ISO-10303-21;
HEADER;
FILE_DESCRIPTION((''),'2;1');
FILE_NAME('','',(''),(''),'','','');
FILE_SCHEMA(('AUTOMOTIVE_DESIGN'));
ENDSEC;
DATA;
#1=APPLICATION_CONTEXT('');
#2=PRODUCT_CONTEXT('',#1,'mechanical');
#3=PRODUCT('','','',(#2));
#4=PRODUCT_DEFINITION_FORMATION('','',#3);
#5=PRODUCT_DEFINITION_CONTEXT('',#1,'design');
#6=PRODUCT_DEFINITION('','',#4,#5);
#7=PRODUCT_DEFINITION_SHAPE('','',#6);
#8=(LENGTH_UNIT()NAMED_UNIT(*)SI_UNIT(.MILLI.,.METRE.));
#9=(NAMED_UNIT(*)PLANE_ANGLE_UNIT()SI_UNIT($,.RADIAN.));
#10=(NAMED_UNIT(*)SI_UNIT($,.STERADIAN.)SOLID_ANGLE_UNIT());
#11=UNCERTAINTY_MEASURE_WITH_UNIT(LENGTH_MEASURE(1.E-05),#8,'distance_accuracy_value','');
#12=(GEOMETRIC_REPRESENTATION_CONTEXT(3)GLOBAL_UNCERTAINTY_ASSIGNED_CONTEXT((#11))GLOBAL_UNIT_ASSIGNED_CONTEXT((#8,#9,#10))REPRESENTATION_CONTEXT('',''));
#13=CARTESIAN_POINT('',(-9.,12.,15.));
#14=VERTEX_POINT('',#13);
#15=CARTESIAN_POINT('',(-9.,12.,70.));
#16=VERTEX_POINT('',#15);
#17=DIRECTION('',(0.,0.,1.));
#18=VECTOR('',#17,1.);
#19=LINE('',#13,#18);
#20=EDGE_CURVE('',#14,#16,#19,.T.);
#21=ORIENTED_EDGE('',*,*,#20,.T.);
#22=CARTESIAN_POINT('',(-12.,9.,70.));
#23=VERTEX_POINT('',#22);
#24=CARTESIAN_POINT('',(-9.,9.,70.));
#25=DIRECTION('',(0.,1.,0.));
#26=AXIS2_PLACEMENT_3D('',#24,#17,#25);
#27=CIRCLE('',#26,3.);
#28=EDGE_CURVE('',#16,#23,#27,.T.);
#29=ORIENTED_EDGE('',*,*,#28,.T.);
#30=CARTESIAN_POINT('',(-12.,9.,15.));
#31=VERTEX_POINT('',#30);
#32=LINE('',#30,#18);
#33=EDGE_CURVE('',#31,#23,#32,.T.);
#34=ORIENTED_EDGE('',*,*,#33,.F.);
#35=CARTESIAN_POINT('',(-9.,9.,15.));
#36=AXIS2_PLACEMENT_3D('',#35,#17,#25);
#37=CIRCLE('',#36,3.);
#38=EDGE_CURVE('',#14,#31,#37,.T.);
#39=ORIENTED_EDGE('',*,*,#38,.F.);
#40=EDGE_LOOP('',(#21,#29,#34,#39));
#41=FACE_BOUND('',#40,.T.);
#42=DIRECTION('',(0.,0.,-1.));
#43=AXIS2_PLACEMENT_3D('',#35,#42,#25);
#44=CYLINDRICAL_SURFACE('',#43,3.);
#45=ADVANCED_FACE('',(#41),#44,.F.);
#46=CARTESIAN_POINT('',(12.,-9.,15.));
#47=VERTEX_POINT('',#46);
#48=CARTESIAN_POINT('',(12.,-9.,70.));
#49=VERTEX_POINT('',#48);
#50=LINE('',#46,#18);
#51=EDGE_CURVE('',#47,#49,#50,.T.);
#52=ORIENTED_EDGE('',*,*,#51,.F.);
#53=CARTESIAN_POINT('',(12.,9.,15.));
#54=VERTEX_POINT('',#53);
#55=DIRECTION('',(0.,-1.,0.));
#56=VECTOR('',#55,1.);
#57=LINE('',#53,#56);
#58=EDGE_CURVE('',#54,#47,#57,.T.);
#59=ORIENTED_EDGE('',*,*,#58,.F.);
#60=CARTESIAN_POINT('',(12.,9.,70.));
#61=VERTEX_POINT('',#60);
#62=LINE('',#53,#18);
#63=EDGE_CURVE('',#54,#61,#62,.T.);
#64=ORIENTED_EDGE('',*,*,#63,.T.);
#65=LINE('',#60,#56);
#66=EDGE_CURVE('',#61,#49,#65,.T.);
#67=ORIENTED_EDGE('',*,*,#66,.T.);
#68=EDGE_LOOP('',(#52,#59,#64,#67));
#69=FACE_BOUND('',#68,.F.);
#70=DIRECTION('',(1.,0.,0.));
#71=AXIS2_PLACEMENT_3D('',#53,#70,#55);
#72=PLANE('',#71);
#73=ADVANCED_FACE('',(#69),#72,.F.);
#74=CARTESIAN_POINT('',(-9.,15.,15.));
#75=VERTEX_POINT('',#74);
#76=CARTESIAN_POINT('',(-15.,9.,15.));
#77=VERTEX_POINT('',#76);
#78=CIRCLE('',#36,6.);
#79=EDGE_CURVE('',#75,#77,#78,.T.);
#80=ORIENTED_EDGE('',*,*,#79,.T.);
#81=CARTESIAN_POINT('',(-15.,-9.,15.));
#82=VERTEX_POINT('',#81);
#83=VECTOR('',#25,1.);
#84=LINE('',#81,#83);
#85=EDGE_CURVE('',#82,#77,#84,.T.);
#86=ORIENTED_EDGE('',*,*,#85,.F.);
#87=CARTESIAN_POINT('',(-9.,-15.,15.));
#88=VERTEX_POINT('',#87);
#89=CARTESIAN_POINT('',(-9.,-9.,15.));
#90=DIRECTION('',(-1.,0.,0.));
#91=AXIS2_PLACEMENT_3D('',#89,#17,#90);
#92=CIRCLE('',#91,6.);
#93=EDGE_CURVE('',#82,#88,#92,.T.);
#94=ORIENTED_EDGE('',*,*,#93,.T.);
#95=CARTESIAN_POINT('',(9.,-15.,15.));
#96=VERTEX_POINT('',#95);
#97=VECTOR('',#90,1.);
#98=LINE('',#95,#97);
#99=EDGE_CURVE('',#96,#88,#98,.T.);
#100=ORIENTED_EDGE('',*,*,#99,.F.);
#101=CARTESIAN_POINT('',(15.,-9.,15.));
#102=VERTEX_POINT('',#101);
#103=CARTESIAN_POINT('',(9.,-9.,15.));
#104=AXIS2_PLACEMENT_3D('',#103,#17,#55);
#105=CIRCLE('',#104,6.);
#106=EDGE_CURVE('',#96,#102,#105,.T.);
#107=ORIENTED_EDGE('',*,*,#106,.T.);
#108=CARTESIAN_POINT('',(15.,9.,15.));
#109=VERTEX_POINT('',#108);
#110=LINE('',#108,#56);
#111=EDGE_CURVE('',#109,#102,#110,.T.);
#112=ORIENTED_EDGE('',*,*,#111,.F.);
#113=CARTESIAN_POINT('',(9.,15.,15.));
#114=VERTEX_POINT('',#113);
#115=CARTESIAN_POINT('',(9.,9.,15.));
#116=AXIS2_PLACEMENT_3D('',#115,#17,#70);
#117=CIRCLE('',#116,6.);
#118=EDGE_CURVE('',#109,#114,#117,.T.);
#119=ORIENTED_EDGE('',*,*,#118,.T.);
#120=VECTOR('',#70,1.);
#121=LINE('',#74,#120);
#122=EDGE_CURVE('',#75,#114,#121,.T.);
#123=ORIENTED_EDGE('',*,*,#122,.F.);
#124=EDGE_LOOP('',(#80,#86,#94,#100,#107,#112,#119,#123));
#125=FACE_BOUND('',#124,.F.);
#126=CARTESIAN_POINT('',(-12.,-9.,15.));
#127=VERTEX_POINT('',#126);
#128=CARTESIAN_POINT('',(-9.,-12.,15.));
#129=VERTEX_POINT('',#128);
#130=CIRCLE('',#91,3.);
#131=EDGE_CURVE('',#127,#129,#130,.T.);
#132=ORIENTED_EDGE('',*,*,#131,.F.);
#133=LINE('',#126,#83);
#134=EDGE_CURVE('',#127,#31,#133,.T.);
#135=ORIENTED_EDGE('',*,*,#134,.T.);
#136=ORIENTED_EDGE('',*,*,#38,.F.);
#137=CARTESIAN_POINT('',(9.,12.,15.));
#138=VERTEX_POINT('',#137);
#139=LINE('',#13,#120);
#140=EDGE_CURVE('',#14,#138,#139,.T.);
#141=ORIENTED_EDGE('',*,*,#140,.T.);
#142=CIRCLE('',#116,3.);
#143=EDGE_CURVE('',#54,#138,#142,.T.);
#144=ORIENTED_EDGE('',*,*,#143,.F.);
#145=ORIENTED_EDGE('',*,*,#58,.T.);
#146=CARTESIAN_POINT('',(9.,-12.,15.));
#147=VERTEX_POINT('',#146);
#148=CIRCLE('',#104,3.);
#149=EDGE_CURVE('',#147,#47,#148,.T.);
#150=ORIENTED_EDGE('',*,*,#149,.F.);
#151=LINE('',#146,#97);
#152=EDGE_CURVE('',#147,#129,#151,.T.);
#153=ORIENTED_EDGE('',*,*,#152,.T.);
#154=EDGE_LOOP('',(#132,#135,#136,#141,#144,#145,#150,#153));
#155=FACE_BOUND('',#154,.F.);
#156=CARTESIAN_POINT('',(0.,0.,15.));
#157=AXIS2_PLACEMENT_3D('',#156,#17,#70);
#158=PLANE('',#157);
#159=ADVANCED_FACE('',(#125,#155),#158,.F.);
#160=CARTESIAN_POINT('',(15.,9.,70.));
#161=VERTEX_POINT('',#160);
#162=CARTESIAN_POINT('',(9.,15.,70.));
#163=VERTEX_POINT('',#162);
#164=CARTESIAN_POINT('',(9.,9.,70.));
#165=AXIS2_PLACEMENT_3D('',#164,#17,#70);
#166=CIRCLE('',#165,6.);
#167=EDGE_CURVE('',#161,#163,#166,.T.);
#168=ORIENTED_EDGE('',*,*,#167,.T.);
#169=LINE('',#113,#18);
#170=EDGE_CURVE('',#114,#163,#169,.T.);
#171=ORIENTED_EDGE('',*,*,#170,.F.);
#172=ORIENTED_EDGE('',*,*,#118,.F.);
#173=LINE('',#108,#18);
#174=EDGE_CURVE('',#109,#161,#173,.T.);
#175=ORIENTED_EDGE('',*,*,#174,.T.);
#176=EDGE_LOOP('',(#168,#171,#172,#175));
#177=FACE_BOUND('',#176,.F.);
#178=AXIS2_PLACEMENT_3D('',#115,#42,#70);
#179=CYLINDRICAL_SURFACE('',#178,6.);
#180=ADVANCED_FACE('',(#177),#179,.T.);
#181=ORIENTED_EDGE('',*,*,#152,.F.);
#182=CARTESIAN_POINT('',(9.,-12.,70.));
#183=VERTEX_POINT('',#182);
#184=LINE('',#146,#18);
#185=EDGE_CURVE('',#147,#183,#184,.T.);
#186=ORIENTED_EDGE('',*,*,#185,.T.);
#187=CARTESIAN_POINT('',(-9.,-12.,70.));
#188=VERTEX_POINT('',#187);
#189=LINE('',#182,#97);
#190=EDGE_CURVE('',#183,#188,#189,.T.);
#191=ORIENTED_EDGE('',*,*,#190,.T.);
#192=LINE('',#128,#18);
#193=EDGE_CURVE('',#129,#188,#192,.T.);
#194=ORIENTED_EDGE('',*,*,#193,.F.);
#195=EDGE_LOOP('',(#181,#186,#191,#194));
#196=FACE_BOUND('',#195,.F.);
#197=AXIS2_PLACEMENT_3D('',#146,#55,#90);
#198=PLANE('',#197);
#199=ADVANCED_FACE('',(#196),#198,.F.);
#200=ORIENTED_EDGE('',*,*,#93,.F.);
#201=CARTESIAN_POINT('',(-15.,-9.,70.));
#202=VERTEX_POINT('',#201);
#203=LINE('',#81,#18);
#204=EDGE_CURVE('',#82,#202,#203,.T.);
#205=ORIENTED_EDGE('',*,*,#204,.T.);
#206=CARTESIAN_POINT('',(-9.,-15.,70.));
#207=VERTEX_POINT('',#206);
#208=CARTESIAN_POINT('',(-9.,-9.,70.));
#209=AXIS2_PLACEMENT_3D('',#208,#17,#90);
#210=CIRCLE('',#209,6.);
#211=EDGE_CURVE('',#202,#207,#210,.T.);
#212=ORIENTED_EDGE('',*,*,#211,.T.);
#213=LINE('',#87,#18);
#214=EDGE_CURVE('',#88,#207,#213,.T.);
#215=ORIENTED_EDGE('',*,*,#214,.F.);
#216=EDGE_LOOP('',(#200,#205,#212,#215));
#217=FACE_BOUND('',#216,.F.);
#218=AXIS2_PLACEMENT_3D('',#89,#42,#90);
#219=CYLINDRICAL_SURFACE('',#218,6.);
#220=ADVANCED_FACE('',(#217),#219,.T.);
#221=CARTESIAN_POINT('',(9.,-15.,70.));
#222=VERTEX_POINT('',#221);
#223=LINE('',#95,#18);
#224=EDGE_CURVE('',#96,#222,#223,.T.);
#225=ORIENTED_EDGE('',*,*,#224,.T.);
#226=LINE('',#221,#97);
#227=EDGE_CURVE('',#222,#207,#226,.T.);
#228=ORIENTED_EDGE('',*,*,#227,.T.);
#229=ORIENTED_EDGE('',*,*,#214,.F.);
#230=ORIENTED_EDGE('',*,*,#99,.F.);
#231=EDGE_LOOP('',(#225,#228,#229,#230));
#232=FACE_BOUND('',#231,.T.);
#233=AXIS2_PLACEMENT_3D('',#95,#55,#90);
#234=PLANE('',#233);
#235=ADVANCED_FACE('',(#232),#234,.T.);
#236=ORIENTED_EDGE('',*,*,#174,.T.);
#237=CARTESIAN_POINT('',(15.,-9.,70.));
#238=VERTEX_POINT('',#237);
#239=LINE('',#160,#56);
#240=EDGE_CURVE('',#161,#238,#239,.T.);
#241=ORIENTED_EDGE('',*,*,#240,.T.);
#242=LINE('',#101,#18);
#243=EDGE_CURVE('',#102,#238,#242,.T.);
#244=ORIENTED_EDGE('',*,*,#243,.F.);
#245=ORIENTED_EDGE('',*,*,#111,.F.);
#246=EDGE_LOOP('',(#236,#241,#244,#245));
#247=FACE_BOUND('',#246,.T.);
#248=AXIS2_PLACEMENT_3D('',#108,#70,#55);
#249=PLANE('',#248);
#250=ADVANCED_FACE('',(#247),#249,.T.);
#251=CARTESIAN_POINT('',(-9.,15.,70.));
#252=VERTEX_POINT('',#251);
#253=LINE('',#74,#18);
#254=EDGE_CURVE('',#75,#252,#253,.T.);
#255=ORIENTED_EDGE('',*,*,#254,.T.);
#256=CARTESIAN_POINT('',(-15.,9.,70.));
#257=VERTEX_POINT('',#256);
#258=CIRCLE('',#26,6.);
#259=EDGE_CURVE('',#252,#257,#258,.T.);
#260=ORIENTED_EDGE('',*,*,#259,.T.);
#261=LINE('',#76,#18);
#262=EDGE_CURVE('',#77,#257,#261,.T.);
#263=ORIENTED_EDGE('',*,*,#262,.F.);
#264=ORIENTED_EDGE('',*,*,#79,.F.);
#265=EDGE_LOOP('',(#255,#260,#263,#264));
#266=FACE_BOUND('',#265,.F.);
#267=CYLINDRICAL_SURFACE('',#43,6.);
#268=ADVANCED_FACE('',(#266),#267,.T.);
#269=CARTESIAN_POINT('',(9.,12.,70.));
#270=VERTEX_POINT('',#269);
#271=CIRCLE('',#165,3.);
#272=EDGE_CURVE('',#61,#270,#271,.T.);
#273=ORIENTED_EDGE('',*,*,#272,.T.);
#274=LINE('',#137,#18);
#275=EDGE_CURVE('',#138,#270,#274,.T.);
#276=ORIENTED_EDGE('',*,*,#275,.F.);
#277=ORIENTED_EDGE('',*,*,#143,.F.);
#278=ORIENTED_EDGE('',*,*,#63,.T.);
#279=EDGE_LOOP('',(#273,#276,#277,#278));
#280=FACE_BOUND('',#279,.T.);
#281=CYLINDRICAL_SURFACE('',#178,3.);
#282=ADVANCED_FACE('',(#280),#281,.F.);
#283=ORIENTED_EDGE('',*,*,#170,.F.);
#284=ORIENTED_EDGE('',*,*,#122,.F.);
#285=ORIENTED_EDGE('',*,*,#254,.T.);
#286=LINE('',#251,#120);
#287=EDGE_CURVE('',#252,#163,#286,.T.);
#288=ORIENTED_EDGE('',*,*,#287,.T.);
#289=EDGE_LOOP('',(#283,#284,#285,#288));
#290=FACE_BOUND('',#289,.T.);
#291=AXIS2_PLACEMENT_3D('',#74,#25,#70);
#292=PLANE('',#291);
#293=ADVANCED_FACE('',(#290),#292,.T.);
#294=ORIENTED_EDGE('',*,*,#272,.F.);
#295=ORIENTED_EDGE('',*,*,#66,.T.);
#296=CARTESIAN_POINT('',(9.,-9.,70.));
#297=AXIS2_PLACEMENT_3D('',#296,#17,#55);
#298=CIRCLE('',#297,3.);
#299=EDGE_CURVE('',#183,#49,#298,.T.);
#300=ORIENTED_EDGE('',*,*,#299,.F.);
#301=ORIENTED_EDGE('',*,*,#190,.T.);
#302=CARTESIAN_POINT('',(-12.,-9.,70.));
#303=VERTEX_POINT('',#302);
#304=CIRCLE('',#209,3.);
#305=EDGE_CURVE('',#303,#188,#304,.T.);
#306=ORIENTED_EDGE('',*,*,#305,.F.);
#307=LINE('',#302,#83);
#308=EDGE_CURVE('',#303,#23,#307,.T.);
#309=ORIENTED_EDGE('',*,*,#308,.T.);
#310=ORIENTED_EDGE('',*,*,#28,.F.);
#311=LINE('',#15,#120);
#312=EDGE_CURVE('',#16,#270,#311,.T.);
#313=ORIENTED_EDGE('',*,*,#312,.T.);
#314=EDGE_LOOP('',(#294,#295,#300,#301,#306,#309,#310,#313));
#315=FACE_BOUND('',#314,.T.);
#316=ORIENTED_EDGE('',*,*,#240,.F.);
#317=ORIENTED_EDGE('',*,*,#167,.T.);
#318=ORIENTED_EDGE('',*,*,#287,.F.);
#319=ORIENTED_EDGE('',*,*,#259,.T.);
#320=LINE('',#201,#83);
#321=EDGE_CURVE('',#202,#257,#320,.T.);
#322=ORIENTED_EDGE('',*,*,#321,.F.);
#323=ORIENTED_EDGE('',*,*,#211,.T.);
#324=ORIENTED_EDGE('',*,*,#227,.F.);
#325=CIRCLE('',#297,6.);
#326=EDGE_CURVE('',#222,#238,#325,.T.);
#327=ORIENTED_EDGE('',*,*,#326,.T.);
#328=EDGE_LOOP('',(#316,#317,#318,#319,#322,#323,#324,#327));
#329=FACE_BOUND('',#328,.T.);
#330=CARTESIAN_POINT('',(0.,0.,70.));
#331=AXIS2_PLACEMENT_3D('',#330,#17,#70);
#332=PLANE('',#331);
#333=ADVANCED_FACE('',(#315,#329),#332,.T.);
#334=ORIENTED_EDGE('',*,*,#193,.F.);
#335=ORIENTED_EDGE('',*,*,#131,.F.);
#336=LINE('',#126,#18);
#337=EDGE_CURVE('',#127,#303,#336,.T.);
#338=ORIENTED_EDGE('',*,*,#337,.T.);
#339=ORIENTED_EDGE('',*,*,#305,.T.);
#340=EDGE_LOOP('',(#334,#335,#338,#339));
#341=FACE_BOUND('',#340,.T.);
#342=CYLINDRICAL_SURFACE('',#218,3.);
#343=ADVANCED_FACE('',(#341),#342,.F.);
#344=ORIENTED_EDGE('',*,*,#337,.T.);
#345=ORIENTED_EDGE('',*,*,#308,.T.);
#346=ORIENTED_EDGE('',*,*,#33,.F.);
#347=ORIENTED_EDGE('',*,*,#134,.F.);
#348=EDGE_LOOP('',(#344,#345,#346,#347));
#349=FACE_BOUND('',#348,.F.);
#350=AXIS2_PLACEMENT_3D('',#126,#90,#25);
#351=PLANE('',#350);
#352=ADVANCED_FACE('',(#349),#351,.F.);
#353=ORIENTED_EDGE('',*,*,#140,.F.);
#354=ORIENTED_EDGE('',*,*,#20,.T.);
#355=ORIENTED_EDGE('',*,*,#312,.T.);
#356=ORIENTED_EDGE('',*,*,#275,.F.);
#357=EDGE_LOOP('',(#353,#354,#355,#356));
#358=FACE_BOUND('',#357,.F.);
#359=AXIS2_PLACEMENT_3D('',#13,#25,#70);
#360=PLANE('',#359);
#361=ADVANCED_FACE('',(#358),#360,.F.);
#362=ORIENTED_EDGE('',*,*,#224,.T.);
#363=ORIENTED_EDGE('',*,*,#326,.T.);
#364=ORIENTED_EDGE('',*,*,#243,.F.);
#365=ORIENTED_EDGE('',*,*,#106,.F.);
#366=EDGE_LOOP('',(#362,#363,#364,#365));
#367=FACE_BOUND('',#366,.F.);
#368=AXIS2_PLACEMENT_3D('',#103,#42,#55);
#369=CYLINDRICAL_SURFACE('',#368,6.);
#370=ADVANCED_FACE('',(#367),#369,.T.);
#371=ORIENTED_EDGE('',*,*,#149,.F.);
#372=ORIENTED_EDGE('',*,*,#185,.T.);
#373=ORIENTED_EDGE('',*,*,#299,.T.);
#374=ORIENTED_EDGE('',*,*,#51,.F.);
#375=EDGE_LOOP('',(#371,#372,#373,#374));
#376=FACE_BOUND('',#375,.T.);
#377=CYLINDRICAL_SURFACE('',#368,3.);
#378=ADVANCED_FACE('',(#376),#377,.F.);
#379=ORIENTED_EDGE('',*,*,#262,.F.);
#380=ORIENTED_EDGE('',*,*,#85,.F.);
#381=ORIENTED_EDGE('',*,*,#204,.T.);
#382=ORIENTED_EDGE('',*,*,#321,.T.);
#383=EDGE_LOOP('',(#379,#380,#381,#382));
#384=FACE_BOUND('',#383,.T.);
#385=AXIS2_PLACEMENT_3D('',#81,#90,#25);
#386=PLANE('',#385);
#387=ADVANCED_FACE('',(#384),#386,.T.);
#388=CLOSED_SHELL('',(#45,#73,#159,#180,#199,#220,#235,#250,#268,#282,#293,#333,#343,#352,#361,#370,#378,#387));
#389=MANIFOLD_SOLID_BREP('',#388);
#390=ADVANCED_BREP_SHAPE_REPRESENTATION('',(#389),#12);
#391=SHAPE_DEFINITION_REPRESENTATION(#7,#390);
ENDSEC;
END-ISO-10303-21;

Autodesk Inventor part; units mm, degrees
ref_plane "Start Plane" through (0, 0, 15) normal (0, 0, 1) x (1, 0, 0)
ref_plane "End Plane" through (0, 0, 70) normal (0, 0, 1) x (1, 0, 0)
sketch "Sketch" plane through (0, 0, 0) normal (0, 0, 1) x (1, 0, 0)
  line L0 (-15, -9) -> (-15, 9)
  line L1 (-9, 15) -> (9, 15)
  line L2 (15, 9) -> (15, -9)
  line L3 (9, -15) -> (-9, -15)
  arc A0 (-15, -9) -> (-9, -15) centre (-9, -9) ccw
  arc A1 (-9, 15) -> (-15, 9) centre (-9, 9) ccw
  arc A2 (15, 9) -> (9, 15) centre (9, 9) ccw
  arc A3 (9, -15) -> (15, -9) centre (9, -9) ccw
  arc A4 (-9, 12) -> (-12, 9) centre (-9, 9) ccw
  line L4 (-9, 12) -> (9, 12)
  arc A5 (12, 9) -> (9, 12) centre (9, 9) ccw
  line L5 (12, 9) -> (12, -9)
  arc A6 (9, -12) -> (12, -9) centre (9, -9) ccw
  line L6 (9, -12) -> (-9, -12)
  arc A7 (-12, -9) -> (-9, -12) centre (-9, -9) ccw
  line L7 (-12, -9) -> (-12, 9)
  line L8 (0, 22.7397) -> (0, -22.7397) construction
  line L9 (-22.7397, 0) -> (22.7397, 0) construction
  dimension "d7" = 6
  dimension "d10" = 30
  dimension "d11" = 30
  dimension "d12" = 3
  dimension "d15" = 15
  dimension "d16" = 15
extrude "Body" add sketch "Sketch" along normal up to surface (55 mm away) from surface at 15
sketch "Sketch3" plane through (0, 0, 0) normal (0, 0, 1) x (1, 0, 0)
  line L0 (0, 0) -> (10, 0)
ref_plane "Work Plane3" through (0, 0, 0) normal (0, -1, 0) x (1, 0, 0)
ref_plane "Work Plane4" through (-130, 9, 15) normal (0, 0, -1) x (-1, 0, 0)
split "Split1" plane through (-130, 9, 15) removes the side toward (0, 0, -1)
ref_plane "Work Plane5" through (0, 231, 70) normal (0, 0, 1) x (1, 0, 0)
split "Split2" plane through (0, 231, 70) removes the side toward (0, 0, 1)
sketch "Sketch4" plane through (0, 0, 0) normal (0, -1, 0) x (1, 0, 0)
  line L0 (-2, 15) -> (12, 15) projected
  line L1 (-2, 70) -> (12, 70) projected
  dimension "d18" = 55
equation "\"d7\" = G_IR"
equation "\"d10\" = G_H"
equation "\"d11\" = G_W"
equation "\"d12\" = G_T"
equation "\"d15\" = 0.5 * d10"
equation "\"d16\" = 0.5 * d11"
equation "\"d3\" = G_L"
equation "\"G_W\" = 30"
equation "\"G_H\" = 30"
equation "\"G_T\" = 3"
equation "\"G_IR\" = 6"
equation "\"G_L\" = d18"
equation "\"G_OFFSET_START\" = -15"
equation "\"G_OFFSET_END\" = -15"
equation "\"d13\" = -G_OFFSET_START"
equation "\"B_L\" = 85"
properties part number "DIN EN 10219-2 - 30 x 30 x 3  - 55" material "Steel, Mild"
